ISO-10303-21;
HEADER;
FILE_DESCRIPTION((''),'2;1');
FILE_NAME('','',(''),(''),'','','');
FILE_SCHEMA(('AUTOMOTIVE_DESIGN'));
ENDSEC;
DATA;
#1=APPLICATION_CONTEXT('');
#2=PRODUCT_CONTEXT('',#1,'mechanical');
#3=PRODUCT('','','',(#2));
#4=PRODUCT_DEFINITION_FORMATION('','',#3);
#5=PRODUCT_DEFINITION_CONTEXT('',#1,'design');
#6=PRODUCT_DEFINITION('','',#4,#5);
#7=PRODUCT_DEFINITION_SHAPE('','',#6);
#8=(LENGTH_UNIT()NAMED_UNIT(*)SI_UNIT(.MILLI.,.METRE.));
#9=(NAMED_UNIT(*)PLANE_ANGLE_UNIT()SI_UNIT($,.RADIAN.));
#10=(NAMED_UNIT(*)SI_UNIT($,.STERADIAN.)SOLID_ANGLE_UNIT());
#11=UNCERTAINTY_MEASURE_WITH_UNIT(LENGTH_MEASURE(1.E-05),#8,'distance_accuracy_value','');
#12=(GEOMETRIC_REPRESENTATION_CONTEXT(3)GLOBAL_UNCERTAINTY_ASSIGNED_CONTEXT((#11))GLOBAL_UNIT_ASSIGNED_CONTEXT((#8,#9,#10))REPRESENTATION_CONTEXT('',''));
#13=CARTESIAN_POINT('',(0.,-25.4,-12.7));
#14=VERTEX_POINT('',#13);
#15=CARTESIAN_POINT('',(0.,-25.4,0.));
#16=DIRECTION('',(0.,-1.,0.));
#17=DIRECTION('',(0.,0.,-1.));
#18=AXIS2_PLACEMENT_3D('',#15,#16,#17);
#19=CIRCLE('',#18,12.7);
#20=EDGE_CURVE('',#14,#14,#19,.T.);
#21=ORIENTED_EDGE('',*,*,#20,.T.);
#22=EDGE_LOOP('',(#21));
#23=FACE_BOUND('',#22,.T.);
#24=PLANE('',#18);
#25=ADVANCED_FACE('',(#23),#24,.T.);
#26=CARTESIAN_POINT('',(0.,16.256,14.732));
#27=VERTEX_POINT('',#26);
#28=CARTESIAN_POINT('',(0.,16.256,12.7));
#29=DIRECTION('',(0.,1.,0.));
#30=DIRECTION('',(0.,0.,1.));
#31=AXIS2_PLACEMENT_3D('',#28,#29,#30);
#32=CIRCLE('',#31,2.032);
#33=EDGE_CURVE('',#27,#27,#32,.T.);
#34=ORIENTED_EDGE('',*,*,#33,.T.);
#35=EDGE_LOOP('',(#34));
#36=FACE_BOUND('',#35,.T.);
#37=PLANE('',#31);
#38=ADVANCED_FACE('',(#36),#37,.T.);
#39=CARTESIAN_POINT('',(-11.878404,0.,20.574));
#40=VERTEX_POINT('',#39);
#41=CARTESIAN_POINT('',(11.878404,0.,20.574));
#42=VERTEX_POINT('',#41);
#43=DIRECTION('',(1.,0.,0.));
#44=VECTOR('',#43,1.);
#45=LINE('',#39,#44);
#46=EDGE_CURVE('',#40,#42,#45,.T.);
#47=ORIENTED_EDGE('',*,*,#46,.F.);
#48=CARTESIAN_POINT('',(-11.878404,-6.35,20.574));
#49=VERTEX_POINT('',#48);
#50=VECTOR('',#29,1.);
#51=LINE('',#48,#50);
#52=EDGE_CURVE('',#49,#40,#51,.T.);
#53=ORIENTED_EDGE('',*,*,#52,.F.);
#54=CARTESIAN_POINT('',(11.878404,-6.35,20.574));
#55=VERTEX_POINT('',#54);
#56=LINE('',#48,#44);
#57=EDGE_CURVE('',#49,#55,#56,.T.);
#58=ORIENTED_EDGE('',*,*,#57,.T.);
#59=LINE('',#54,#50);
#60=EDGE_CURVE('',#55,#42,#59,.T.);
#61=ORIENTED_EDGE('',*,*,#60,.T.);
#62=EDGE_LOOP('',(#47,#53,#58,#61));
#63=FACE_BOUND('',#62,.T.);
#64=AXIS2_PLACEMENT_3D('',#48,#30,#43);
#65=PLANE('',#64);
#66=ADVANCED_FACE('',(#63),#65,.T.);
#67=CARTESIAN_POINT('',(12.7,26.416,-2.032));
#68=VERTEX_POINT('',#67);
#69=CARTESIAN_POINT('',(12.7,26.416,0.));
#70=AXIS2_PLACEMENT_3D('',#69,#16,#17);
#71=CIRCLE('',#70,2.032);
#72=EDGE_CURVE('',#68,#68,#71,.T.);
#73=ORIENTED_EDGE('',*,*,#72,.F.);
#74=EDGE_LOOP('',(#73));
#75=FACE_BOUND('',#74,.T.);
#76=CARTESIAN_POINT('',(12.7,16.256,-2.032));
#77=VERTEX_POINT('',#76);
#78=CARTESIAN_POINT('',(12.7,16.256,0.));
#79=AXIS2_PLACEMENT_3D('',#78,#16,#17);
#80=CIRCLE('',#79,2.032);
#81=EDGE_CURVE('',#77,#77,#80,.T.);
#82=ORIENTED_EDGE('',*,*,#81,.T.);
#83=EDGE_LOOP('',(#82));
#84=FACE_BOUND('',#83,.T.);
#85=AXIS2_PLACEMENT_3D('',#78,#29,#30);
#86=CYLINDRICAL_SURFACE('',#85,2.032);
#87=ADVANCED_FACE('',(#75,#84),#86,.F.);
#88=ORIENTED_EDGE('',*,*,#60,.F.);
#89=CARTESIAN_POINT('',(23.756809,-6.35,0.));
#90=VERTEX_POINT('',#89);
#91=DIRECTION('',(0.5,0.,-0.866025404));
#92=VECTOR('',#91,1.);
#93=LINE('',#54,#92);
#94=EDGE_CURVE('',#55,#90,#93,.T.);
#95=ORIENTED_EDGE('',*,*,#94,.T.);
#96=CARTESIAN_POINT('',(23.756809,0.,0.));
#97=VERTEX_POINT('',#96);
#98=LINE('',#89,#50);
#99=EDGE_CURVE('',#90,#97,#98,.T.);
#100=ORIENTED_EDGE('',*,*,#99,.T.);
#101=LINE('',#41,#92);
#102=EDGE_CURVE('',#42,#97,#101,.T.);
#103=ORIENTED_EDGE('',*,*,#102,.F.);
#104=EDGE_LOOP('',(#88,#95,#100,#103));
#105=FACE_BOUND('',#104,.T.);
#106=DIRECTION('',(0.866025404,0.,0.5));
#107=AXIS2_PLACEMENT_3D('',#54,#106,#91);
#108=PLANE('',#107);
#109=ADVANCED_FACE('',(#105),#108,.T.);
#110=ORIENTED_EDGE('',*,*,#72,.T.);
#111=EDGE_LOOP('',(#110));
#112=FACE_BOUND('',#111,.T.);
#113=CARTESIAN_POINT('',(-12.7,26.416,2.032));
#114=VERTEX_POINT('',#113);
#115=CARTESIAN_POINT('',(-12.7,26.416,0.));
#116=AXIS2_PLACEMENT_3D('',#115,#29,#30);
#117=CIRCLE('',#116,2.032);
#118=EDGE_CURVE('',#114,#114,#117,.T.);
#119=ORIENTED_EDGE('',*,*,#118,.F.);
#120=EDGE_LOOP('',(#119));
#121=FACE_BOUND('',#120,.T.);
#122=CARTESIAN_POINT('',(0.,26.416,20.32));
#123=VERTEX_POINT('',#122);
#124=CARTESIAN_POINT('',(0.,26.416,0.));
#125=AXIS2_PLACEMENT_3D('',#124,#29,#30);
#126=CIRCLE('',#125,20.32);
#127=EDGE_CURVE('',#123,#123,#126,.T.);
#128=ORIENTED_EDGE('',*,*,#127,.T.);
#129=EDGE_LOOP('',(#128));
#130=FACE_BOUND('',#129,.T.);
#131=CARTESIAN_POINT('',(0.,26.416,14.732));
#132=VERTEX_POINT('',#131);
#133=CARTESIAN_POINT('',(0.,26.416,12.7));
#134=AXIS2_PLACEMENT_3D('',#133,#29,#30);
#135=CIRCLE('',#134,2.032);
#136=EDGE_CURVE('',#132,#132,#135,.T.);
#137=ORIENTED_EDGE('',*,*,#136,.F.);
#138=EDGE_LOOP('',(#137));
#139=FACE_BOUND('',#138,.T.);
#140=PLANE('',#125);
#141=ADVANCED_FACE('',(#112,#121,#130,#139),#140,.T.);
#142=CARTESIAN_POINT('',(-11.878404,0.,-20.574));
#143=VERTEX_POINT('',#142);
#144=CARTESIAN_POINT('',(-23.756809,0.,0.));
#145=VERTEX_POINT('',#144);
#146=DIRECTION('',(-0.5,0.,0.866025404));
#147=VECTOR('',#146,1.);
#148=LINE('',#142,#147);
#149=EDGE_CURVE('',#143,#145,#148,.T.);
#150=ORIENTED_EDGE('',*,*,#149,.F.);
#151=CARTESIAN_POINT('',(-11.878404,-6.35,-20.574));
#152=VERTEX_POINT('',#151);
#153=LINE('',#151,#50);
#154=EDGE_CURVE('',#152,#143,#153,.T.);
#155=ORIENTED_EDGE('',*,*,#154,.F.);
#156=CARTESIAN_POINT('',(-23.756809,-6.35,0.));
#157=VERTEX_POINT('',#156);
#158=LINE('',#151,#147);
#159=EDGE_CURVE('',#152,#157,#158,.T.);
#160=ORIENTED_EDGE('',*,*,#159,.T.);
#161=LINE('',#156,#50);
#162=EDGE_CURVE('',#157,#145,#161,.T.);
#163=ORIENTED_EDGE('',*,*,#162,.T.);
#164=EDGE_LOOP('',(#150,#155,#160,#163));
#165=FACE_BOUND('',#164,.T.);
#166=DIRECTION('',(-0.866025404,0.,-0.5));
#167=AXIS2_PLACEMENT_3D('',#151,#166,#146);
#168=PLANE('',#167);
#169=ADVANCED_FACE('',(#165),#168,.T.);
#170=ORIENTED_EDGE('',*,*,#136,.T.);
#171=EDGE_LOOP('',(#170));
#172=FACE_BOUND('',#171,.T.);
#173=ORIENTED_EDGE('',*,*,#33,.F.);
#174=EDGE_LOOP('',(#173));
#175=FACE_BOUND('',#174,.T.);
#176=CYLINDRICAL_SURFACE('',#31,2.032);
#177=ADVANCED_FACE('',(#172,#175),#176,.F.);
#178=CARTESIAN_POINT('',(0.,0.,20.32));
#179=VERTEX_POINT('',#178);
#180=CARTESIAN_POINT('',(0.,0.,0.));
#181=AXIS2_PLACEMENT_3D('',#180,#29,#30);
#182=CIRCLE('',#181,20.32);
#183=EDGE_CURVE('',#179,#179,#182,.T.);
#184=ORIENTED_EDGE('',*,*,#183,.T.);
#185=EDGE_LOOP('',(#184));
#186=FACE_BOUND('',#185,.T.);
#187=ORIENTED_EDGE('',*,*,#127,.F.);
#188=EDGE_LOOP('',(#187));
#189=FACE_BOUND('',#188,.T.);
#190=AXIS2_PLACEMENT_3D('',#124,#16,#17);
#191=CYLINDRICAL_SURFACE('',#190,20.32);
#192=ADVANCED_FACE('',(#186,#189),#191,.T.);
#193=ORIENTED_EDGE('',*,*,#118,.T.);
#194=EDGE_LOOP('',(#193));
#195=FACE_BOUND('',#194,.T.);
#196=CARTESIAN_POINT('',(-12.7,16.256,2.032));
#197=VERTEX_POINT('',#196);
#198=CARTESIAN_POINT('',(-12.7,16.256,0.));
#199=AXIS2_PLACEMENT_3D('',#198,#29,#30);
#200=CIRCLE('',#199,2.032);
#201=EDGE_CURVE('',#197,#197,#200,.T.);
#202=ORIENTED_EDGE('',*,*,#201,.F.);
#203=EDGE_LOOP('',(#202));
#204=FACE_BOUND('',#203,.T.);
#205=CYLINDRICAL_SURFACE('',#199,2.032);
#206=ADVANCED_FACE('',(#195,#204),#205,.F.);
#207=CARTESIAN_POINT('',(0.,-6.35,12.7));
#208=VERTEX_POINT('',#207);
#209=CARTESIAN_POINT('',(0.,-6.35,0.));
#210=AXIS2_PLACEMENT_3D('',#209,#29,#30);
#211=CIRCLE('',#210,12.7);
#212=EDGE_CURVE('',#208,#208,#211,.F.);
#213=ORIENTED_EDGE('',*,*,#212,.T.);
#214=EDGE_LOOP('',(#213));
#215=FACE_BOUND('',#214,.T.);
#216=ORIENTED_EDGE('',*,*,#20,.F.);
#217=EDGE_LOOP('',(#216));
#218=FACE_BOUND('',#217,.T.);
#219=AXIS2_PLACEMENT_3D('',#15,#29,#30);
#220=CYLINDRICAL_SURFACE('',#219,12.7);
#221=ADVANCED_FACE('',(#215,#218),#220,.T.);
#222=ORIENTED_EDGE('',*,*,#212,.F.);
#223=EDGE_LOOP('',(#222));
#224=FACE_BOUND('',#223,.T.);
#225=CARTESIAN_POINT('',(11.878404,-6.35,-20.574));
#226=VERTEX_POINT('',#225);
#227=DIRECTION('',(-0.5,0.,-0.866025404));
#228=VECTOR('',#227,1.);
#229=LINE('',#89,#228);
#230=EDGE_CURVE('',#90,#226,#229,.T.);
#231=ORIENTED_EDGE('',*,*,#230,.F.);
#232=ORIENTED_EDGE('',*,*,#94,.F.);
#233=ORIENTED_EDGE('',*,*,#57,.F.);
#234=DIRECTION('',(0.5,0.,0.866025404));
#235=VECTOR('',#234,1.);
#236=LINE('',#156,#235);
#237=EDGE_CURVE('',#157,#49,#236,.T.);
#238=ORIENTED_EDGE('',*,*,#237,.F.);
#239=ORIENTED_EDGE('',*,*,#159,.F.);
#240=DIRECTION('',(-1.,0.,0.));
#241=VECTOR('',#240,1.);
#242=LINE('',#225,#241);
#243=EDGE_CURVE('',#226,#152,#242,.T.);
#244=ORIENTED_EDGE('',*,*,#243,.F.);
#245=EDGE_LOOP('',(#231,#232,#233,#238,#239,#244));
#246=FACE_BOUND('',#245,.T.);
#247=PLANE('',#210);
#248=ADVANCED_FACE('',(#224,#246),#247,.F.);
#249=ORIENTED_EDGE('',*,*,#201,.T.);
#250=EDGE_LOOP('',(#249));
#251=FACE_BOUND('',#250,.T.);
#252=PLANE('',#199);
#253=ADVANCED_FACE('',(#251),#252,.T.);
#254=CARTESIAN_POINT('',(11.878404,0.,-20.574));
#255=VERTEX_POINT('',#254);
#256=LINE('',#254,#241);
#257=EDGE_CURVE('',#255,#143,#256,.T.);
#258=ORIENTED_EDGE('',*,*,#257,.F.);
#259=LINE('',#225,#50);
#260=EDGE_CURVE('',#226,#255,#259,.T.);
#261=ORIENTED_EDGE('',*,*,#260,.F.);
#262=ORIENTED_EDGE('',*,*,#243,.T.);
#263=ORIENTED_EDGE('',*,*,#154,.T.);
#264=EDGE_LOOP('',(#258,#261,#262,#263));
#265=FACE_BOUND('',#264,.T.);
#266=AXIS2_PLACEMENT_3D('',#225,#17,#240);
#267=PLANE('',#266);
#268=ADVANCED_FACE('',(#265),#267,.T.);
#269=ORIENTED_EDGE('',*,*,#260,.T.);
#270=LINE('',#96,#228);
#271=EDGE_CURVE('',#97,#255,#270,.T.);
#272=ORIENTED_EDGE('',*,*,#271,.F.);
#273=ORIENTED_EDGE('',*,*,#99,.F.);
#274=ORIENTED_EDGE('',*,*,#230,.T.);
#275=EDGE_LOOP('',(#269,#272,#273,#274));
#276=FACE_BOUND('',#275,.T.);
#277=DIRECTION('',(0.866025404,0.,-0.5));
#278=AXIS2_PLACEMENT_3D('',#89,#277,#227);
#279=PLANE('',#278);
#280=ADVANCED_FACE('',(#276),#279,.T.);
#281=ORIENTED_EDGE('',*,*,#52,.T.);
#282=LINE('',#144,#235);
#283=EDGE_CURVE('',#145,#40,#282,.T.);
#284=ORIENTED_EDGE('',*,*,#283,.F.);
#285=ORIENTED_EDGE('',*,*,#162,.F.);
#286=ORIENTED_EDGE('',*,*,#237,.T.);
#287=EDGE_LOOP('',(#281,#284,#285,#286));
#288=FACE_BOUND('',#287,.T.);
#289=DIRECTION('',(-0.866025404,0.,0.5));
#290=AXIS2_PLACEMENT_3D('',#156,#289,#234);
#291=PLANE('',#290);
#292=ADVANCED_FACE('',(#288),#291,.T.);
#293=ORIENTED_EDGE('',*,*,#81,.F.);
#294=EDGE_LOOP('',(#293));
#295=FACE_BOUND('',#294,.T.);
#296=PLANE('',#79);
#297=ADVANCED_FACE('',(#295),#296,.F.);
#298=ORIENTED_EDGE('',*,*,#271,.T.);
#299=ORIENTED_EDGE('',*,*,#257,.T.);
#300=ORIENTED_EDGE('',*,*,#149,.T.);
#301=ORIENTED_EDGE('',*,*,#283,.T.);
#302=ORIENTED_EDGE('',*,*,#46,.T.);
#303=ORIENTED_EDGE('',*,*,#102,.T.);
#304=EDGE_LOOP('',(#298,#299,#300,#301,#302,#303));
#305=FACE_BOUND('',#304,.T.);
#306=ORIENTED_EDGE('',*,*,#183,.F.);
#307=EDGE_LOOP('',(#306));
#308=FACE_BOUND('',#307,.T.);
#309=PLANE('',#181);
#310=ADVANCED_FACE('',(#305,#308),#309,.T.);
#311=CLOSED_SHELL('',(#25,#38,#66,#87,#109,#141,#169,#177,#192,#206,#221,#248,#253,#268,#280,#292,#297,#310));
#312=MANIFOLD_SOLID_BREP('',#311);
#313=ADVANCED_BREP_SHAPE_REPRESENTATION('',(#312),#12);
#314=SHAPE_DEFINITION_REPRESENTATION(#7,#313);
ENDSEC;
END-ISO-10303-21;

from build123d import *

# Parameters (mm, degrees)
SKETCH1_R           = 20.32
BOSS_EXTRUDE1_DEPTH = 26.416
BOSS_EXTRUDE2_DEPTH = 6.35
SKETCH3_R           = 12.7
BOSS_EXTRUDE3_DEPTH = 19.05
SKETCH4_R           = 2.032
CUT_EXTRUDE1_DEPTH  = 10.16


with BuildPart() as part:
    # Sketch1 → Boss-Extrude1 (new body)
    with BuildSketch(Plane(origin=(0, 0, 0), x_dir=(1, 0, 0), z_dir=(0, 1, 0))):
        Circle(SKETCH1_R)
    extrude(amount=BOSS_EXTRUDE1_DEPTH)

    # Sketch2 → Boss-Extrude2 (add)
    with BuildSketch(Plane.XZ):
        Polygon((-11.878404438, 20.574), (11.878404438, 20.574), (23.756808877, 0), (11.878404438, -20.574), (-11.878404438, -20.574), (-23.756808877, 0), align=None)
    extrude(amount=BOSS_EXTRUDE2_DEPTH)

    # Sketch3 → Boss-Extrude3 (add)
    with BuildSketch(Plane(origin=(0, -6.35, 0), x_dir=(-1, 0, 0), z_dir=(0, -1, 0))):
        Circle(SKETCH3_R)
    extrude(amount=BOSS_EXTRUDE3_DEPTH)

    # Sketch4 → Cut-Extrude1 (cut)
    with BuildSketch(Plane(origin=(0, 26.416, 0), x_dir=(1, 0, 0), z_dir=(0, 1, 0))):
        with Locations((0, -12.7)):
            Circle(SKETCH4_R)
        with Locations((-12.7, 0)):
            Circle(SKETCH4_R)
        with Locations((12.7, 0)):
            Circle(SKETCH4_R)
    extrude(amount=-CUT_EXTRUDE1_DEPTH, mode=Mode.SUBTRACT)


solid = part.part
